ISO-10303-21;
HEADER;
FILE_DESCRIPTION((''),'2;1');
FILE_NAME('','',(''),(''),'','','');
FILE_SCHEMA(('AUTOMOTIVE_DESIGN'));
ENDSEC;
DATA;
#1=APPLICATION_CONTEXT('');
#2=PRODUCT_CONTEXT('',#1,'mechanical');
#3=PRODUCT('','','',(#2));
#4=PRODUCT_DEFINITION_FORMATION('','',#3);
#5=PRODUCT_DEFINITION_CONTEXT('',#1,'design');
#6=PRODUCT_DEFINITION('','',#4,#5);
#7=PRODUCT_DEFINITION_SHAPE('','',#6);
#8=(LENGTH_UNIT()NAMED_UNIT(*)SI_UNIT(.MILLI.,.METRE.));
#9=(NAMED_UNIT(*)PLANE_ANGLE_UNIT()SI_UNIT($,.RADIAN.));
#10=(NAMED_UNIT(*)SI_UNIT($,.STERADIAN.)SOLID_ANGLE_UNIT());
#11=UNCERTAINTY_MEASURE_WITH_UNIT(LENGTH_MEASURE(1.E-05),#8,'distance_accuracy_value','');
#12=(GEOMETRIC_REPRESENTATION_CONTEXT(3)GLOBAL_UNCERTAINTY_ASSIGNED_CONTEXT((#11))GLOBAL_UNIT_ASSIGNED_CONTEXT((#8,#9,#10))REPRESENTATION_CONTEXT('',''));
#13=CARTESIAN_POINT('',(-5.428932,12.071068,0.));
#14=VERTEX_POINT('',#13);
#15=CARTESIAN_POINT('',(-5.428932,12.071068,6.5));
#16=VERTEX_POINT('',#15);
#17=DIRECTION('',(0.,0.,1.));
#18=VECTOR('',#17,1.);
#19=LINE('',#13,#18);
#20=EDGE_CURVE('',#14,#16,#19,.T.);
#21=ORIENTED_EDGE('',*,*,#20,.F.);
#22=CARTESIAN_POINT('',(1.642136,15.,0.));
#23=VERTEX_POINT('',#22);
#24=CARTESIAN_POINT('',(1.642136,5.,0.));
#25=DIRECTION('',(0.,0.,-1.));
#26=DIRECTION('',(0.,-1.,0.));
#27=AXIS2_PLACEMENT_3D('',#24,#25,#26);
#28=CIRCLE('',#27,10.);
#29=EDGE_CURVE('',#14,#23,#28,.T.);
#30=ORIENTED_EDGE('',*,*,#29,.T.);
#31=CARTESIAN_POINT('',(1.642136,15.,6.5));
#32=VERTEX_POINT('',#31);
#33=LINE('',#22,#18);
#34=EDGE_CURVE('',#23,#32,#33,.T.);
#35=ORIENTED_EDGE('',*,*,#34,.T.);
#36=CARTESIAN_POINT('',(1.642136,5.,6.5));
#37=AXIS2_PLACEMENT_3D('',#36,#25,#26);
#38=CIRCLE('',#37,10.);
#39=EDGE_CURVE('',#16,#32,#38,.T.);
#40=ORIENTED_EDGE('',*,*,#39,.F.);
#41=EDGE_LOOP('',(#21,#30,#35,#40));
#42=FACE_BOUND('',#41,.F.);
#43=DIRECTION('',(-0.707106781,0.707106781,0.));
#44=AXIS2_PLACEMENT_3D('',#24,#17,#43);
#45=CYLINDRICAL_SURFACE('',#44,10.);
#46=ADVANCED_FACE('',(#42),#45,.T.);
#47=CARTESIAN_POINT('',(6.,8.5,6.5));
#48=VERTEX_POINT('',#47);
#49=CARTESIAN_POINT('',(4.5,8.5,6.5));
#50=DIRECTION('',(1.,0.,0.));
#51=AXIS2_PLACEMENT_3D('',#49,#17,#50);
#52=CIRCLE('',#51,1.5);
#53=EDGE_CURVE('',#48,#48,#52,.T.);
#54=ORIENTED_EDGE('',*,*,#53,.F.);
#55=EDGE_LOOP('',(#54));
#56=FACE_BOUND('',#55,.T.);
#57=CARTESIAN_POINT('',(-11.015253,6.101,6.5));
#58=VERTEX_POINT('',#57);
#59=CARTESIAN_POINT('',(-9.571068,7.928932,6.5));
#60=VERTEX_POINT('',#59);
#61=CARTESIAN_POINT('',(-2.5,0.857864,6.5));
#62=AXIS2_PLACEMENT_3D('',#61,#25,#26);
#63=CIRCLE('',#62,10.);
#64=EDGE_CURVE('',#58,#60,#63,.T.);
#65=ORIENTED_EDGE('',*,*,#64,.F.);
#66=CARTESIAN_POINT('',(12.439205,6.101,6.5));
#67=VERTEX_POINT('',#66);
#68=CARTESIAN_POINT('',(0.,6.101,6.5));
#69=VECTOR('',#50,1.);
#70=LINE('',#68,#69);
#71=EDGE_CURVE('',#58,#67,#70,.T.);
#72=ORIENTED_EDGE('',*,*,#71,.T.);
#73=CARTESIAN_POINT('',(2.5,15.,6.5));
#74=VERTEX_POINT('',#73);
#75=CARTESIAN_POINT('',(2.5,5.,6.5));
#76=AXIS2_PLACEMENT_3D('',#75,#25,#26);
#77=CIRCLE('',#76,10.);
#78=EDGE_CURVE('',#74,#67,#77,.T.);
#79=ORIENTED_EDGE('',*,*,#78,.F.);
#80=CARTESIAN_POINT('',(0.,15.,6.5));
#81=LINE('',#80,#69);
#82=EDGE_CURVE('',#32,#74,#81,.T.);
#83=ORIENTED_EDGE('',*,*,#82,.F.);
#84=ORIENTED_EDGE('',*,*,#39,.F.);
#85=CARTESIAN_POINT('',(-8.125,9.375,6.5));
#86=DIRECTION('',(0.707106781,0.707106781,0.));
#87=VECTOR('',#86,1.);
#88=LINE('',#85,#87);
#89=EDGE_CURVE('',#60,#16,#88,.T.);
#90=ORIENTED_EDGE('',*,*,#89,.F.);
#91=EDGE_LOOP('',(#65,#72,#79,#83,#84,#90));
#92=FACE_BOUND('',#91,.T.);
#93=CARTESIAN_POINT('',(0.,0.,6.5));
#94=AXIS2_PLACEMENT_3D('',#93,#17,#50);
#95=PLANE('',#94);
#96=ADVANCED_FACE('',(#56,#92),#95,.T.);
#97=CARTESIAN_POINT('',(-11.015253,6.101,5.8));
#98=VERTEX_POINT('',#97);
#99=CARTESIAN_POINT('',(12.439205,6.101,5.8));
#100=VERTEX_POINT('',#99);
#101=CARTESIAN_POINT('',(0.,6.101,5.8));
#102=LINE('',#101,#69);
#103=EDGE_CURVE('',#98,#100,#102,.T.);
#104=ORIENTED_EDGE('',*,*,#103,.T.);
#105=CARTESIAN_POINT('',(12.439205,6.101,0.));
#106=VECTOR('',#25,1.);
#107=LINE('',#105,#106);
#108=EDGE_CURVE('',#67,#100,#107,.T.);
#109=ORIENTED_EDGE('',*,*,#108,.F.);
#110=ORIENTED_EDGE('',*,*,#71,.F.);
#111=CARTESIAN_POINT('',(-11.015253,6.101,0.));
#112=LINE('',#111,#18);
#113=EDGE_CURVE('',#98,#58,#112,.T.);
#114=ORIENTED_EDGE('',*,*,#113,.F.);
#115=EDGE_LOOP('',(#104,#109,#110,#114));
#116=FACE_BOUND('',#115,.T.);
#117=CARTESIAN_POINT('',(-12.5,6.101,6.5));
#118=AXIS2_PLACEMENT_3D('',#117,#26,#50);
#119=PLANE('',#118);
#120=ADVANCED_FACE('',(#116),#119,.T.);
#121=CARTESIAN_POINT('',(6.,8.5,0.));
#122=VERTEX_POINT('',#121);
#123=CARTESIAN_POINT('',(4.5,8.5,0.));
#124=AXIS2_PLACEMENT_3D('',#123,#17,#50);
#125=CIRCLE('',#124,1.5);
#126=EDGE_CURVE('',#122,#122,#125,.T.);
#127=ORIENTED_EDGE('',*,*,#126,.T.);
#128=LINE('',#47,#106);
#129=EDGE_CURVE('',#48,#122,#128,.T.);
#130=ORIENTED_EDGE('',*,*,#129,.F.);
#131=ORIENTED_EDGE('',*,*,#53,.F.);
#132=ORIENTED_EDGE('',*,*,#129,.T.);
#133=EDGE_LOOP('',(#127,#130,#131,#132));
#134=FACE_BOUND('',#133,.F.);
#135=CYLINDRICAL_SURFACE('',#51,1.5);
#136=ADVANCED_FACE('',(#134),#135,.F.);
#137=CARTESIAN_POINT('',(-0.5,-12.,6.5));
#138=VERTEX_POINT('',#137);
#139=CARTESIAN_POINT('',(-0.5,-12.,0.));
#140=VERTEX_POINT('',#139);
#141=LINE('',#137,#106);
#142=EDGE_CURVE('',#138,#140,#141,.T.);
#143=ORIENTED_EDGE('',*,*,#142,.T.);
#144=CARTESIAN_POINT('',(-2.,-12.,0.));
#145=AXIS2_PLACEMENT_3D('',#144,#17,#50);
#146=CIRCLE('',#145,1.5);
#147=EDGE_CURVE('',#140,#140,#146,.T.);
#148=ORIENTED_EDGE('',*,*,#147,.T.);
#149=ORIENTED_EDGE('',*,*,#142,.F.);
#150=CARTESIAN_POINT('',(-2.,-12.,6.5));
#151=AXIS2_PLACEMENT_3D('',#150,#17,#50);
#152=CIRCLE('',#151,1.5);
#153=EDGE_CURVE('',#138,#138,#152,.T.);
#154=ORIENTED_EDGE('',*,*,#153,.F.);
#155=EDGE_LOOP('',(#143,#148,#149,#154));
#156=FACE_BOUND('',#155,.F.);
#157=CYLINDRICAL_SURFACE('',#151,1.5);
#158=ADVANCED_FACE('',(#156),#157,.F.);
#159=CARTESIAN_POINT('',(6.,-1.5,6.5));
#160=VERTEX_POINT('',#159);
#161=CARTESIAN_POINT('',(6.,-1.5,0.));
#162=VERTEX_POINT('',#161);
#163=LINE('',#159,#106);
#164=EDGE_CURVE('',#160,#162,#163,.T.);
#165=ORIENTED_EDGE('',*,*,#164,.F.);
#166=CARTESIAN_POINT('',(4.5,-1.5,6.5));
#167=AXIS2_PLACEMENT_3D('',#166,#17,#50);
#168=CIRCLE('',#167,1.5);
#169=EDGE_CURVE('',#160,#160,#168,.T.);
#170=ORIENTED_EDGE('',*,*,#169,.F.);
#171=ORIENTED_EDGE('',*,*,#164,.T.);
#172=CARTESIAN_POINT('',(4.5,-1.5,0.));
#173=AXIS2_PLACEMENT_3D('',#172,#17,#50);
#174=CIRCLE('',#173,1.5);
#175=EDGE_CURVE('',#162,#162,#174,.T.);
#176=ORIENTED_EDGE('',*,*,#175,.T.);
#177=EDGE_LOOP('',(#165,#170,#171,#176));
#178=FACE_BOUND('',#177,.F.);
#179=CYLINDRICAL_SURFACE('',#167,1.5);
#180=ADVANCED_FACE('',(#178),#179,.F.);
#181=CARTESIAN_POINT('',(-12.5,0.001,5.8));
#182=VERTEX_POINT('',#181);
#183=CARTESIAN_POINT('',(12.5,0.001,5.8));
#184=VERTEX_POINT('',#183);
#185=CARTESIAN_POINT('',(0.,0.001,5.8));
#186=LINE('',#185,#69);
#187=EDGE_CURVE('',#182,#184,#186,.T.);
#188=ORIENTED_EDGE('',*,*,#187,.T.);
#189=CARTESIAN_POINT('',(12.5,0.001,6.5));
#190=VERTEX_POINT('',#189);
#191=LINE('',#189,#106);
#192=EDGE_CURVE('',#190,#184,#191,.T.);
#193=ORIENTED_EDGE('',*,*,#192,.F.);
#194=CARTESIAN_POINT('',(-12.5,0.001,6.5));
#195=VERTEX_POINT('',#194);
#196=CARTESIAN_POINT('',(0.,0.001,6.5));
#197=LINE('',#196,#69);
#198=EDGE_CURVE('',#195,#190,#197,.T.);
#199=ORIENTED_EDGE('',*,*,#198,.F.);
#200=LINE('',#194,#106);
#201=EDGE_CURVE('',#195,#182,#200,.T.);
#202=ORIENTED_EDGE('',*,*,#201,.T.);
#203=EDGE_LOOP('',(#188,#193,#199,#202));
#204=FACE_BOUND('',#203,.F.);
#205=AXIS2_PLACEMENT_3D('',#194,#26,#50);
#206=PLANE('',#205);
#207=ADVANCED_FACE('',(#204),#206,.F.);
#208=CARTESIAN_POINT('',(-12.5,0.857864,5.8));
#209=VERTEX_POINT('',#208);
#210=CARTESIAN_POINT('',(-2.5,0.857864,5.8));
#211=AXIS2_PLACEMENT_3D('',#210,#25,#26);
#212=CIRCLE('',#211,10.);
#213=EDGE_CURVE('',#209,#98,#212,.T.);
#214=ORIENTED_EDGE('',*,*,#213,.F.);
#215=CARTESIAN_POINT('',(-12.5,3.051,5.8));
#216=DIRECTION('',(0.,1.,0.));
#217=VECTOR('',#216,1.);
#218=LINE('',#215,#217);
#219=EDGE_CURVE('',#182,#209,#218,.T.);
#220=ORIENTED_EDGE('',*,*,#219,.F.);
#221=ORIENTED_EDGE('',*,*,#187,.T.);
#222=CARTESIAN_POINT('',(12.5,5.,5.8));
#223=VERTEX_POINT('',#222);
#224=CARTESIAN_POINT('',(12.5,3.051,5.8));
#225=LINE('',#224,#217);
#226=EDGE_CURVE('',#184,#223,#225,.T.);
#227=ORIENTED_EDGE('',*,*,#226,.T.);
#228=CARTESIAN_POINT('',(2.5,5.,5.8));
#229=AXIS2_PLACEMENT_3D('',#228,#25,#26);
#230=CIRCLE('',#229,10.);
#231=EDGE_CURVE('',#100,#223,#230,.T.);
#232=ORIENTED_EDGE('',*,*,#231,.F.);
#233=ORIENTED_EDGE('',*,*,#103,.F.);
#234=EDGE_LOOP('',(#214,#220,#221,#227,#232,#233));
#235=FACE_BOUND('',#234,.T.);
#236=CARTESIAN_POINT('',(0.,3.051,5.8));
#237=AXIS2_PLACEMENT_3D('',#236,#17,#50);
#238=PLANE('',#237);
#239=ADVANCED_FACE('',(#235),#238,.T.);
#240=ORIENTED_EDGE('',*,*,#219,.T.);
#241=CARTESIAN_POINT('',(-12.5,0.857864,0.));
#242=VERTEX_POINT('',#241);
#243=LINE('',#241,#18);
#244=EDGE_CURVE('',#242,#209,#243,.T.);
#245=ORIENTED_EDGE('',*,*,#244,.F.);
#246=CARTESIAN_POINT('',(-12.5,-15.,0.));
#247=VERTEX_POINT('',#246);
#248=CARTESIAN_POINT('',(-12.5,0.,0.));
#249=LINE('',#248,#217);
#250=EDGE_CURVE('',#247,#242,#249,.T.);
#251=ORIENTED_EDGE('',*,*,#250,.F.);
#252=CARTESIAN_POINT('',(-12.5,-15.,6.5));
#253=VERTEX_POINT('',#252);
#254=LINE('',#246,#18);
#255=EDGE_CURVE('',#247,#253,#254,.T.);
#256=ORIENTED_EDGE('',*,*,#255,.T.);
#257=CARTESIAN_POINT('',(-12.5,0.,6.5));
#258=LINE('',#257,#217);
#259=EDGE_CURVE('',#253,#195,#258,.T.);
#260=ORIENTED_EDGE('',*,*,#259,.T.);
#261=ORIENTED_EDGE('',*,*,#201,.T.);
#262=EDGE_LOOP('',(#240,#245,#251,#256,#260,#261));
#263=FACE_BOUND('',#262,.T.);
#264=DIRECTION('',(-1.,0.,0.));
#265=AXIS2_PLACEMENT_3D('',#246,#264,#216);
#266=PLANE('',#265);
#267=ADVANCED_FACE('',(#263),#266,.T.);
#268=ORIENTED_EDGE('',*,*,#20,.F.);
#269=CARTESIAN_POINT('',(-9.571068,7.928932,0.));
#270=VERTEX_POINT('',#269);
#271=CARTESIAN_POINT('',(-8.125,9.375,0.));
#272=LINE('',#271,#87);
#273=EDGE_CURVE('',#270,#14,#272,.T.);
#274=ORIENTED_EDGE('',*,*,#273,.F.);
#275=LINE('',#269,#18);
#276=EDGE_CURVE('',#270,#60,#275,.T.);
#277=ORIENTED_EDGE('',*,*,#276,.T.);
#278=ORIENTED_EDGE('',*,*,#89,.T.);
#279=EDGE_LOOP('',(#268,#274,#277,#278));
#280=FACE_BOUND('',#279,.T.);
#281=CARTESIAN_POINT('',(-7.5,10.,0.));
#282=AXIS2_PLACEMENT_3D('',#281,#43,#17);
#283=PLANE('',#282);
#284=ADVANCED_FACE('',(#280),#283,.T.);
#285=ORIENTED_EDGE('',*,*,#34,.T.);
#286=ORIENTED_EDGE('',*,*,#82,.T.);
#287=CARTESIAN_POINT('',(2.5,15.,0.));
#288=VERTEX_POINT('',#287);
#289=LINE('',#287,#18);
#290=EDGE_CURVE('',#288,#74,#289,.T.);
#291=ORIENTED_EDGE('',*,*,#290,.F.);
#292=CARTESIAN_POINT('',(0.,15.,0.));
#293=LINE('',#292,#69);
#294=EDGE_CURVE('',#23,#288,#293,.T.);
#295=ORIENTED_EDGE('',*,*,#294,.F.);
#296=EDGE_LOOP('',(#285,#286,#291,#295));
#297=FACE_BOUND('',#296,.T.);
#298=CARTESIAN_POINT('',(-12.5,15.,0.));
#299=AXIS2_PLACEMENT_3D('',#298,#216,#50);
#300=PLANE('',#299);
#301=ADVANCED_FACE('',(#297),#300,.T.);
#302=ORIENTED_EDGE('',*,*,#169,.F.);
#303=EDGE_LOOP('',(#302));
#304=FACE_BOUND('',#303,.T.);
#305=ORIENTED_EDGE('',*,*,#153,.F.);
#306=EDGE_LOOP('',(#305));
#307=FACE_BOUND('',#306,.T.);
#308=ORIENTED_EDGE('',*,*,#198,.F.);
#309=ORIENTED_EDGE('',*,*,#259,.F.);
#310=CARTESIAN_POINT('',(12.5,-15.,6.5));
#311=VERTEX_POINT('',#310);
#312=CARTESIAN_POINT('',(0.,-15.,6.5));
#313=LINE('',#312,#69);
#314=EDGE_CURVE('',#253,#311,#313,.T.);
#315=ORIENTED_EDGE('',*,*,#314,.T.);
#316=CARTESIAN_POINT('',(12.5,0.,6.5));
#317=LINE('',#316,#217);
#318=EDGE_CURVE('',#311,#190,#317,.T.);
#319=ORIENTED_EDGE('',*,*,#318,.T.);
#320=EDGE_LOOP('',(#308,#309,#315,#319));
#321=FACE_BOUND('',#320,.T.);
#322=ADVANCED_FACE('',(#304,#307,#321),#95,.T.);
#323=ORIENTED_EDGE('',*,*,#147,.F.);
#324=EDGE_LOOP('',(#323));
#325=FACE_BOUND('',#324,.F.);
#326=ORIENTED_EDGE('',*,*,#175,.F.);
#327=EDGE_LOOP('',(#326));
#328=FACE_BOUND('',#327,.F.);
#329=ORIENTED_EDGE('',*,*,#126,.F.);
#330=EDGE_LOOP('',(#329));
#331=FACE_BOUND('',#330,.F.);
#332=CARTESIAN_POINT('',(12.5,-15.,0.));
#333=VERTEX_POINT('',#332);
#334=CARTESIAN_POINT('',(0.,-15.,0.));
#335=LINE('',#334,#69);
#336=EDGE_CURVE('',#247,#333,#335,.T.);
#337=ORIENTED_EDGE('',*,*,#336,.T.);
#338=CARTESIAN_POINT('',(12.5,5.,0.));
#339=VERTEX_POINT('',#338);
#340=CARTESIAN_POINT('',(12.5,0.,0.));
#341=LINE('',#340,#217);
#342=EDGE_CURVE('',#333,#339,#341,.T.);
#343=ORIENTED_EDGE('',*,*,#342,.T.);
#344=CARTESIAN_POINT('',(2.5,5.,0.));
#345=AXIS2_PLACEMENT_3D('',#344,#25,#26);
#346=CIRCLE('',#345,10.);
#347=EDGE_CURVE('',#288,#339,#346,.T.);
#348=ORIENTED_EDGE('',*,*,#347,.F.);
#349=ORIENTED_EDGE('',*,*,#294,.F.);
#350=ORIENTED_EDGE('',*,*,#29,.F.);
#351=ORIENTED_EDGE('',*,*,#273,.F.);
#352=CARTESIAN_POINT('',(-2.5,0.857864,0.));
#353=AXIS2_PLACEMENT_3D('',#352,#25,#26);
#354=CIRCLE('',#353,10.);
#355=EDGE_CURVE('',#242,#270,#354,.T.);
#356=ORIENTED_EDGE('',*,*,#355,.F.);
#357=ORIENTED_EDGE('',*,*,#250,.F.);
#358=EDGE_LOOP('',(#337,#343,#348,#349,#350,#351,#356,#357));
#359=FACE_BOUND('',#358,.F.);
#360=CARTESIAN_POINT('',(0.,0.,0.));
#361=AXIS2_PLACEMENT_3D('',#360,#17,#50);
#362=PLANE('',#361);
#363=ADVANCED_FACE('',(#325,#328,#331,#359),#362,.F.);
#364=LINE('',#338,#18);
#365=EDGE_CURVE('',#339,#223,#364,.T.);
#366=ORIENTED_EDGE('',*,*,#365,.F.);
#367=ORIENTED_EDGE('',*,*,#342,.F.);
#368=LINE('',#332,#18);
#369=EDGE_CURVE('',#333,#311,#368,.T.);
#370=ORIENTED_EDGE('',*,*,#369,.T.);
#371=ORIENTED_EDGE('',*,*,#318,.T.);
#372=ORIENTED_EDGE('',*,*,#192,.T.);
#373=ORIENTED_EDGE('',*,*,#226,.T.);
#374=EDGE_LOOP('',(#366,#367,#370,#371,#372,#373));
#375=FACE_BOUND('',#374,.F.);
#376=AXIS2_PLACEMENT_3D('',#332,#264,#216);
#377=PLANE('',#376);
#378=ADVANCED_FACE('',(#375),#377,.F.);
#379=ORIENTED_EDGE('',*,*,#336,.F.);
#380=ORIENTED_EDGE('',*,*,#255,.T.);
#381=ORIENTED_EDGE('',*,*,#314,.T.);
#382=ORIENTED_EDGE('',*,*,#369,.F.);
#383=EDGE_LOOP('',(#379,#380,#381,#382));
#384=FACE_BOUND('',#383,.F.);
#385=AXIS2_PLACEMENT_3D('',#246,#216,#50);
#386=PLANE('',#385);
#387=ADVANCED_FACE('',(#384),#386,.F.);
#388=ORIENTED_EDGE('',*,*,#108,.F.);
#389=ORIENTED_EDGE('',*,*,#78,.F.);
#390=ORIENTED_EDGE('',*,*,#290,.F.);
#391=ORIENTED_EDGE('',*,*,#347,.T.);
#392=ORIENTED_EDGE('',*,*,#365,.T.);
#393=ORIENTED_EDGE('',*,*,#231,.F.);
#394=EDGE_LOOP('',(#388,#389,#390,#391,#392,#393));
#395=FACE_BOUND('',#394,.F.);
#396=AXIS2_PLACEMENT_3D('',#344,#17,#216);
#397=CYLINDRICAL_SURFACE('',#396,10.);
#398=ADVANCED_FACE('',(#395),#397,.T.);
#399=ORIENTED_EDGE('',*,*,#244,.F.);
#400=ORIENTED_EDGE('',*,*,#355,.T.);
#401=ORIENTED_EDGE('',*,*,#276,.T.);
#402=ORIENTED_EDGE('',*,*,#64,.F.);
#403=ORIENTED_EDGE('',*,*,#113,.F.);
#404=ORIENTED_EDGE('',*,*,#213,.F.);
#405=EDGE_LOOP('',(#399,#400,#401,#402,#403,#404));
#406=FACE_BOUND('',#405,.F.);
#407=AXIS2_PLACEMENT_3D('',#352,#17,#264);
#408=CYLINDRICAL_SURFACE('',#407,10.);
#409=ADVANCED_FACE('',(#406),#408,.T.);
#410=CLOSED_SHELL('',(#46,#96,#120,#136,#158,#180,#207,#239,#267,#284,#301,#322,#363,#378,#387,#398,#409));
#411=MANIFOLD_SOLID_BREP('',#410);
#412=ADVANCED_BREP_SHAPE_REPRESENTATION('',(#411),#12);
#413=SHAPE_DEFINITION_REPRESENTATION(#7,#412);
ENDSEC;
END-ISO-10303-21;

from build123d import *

# Parameters (mm, degrees)
F0_W     = 25
F0_H     = 30
F1_DEPTH = 6.5
F2_R     = 1.5
F3_DEPTH = 6.501
F4_W     = 25
F4_H     = 6.1
F5_DEPTH = 0.7
F6_SIZE  = 10
F7_R     = 10


with BuildPart() as f1:
    # F0 (on Top) → F1 (new body)
    with BuildSketch(Plane.XY):
        Rectangle(F0_W, F0_H)
    extrude(amount=F1_DEPTH)

    # F2 (on face) → F3 (cut, through all)
    with BuildSketch(Plane.XY.offset(6.5)):
        with Locations((-2, -12)):
            Circle(F2_R)
        with Locations((4.5, -1.5)):
            Circle(F2_R)
        with Locations((4.5, 8.5)):
            Circle(F2_R)
    extrude(amount=-F3_DEPTH, mode=Mode.SUBTRACT)

    # F4 (on face) → F5 (cut)
    with BuildSketch(Plane.XY.offset(6.5)):
        with Locations((0, 3.051)):
            Rectangle(F4_W, F4_H)
    extrude(amount=-F5_DEPTH, mode=Mode.SUBTRACT)

    # F6
    f6_edges = [f1.edges().sort_by_distance(p)[0] for p in [
        (-12.5, 15, 3.25),
    ]]
    chamfer(f6_edges, length=F6_SIZE)

    # F7
    f7_edges = [f1.edges().sort_by_distance(p)[0] for p in [
        (-2.5, 15, 3.25),
        (-12.5, 5, 2.9),
        (12.5, 15, 3.25),
    ]]
    fillet(f7_edges, radius=F7_R)


solid = f1.part
